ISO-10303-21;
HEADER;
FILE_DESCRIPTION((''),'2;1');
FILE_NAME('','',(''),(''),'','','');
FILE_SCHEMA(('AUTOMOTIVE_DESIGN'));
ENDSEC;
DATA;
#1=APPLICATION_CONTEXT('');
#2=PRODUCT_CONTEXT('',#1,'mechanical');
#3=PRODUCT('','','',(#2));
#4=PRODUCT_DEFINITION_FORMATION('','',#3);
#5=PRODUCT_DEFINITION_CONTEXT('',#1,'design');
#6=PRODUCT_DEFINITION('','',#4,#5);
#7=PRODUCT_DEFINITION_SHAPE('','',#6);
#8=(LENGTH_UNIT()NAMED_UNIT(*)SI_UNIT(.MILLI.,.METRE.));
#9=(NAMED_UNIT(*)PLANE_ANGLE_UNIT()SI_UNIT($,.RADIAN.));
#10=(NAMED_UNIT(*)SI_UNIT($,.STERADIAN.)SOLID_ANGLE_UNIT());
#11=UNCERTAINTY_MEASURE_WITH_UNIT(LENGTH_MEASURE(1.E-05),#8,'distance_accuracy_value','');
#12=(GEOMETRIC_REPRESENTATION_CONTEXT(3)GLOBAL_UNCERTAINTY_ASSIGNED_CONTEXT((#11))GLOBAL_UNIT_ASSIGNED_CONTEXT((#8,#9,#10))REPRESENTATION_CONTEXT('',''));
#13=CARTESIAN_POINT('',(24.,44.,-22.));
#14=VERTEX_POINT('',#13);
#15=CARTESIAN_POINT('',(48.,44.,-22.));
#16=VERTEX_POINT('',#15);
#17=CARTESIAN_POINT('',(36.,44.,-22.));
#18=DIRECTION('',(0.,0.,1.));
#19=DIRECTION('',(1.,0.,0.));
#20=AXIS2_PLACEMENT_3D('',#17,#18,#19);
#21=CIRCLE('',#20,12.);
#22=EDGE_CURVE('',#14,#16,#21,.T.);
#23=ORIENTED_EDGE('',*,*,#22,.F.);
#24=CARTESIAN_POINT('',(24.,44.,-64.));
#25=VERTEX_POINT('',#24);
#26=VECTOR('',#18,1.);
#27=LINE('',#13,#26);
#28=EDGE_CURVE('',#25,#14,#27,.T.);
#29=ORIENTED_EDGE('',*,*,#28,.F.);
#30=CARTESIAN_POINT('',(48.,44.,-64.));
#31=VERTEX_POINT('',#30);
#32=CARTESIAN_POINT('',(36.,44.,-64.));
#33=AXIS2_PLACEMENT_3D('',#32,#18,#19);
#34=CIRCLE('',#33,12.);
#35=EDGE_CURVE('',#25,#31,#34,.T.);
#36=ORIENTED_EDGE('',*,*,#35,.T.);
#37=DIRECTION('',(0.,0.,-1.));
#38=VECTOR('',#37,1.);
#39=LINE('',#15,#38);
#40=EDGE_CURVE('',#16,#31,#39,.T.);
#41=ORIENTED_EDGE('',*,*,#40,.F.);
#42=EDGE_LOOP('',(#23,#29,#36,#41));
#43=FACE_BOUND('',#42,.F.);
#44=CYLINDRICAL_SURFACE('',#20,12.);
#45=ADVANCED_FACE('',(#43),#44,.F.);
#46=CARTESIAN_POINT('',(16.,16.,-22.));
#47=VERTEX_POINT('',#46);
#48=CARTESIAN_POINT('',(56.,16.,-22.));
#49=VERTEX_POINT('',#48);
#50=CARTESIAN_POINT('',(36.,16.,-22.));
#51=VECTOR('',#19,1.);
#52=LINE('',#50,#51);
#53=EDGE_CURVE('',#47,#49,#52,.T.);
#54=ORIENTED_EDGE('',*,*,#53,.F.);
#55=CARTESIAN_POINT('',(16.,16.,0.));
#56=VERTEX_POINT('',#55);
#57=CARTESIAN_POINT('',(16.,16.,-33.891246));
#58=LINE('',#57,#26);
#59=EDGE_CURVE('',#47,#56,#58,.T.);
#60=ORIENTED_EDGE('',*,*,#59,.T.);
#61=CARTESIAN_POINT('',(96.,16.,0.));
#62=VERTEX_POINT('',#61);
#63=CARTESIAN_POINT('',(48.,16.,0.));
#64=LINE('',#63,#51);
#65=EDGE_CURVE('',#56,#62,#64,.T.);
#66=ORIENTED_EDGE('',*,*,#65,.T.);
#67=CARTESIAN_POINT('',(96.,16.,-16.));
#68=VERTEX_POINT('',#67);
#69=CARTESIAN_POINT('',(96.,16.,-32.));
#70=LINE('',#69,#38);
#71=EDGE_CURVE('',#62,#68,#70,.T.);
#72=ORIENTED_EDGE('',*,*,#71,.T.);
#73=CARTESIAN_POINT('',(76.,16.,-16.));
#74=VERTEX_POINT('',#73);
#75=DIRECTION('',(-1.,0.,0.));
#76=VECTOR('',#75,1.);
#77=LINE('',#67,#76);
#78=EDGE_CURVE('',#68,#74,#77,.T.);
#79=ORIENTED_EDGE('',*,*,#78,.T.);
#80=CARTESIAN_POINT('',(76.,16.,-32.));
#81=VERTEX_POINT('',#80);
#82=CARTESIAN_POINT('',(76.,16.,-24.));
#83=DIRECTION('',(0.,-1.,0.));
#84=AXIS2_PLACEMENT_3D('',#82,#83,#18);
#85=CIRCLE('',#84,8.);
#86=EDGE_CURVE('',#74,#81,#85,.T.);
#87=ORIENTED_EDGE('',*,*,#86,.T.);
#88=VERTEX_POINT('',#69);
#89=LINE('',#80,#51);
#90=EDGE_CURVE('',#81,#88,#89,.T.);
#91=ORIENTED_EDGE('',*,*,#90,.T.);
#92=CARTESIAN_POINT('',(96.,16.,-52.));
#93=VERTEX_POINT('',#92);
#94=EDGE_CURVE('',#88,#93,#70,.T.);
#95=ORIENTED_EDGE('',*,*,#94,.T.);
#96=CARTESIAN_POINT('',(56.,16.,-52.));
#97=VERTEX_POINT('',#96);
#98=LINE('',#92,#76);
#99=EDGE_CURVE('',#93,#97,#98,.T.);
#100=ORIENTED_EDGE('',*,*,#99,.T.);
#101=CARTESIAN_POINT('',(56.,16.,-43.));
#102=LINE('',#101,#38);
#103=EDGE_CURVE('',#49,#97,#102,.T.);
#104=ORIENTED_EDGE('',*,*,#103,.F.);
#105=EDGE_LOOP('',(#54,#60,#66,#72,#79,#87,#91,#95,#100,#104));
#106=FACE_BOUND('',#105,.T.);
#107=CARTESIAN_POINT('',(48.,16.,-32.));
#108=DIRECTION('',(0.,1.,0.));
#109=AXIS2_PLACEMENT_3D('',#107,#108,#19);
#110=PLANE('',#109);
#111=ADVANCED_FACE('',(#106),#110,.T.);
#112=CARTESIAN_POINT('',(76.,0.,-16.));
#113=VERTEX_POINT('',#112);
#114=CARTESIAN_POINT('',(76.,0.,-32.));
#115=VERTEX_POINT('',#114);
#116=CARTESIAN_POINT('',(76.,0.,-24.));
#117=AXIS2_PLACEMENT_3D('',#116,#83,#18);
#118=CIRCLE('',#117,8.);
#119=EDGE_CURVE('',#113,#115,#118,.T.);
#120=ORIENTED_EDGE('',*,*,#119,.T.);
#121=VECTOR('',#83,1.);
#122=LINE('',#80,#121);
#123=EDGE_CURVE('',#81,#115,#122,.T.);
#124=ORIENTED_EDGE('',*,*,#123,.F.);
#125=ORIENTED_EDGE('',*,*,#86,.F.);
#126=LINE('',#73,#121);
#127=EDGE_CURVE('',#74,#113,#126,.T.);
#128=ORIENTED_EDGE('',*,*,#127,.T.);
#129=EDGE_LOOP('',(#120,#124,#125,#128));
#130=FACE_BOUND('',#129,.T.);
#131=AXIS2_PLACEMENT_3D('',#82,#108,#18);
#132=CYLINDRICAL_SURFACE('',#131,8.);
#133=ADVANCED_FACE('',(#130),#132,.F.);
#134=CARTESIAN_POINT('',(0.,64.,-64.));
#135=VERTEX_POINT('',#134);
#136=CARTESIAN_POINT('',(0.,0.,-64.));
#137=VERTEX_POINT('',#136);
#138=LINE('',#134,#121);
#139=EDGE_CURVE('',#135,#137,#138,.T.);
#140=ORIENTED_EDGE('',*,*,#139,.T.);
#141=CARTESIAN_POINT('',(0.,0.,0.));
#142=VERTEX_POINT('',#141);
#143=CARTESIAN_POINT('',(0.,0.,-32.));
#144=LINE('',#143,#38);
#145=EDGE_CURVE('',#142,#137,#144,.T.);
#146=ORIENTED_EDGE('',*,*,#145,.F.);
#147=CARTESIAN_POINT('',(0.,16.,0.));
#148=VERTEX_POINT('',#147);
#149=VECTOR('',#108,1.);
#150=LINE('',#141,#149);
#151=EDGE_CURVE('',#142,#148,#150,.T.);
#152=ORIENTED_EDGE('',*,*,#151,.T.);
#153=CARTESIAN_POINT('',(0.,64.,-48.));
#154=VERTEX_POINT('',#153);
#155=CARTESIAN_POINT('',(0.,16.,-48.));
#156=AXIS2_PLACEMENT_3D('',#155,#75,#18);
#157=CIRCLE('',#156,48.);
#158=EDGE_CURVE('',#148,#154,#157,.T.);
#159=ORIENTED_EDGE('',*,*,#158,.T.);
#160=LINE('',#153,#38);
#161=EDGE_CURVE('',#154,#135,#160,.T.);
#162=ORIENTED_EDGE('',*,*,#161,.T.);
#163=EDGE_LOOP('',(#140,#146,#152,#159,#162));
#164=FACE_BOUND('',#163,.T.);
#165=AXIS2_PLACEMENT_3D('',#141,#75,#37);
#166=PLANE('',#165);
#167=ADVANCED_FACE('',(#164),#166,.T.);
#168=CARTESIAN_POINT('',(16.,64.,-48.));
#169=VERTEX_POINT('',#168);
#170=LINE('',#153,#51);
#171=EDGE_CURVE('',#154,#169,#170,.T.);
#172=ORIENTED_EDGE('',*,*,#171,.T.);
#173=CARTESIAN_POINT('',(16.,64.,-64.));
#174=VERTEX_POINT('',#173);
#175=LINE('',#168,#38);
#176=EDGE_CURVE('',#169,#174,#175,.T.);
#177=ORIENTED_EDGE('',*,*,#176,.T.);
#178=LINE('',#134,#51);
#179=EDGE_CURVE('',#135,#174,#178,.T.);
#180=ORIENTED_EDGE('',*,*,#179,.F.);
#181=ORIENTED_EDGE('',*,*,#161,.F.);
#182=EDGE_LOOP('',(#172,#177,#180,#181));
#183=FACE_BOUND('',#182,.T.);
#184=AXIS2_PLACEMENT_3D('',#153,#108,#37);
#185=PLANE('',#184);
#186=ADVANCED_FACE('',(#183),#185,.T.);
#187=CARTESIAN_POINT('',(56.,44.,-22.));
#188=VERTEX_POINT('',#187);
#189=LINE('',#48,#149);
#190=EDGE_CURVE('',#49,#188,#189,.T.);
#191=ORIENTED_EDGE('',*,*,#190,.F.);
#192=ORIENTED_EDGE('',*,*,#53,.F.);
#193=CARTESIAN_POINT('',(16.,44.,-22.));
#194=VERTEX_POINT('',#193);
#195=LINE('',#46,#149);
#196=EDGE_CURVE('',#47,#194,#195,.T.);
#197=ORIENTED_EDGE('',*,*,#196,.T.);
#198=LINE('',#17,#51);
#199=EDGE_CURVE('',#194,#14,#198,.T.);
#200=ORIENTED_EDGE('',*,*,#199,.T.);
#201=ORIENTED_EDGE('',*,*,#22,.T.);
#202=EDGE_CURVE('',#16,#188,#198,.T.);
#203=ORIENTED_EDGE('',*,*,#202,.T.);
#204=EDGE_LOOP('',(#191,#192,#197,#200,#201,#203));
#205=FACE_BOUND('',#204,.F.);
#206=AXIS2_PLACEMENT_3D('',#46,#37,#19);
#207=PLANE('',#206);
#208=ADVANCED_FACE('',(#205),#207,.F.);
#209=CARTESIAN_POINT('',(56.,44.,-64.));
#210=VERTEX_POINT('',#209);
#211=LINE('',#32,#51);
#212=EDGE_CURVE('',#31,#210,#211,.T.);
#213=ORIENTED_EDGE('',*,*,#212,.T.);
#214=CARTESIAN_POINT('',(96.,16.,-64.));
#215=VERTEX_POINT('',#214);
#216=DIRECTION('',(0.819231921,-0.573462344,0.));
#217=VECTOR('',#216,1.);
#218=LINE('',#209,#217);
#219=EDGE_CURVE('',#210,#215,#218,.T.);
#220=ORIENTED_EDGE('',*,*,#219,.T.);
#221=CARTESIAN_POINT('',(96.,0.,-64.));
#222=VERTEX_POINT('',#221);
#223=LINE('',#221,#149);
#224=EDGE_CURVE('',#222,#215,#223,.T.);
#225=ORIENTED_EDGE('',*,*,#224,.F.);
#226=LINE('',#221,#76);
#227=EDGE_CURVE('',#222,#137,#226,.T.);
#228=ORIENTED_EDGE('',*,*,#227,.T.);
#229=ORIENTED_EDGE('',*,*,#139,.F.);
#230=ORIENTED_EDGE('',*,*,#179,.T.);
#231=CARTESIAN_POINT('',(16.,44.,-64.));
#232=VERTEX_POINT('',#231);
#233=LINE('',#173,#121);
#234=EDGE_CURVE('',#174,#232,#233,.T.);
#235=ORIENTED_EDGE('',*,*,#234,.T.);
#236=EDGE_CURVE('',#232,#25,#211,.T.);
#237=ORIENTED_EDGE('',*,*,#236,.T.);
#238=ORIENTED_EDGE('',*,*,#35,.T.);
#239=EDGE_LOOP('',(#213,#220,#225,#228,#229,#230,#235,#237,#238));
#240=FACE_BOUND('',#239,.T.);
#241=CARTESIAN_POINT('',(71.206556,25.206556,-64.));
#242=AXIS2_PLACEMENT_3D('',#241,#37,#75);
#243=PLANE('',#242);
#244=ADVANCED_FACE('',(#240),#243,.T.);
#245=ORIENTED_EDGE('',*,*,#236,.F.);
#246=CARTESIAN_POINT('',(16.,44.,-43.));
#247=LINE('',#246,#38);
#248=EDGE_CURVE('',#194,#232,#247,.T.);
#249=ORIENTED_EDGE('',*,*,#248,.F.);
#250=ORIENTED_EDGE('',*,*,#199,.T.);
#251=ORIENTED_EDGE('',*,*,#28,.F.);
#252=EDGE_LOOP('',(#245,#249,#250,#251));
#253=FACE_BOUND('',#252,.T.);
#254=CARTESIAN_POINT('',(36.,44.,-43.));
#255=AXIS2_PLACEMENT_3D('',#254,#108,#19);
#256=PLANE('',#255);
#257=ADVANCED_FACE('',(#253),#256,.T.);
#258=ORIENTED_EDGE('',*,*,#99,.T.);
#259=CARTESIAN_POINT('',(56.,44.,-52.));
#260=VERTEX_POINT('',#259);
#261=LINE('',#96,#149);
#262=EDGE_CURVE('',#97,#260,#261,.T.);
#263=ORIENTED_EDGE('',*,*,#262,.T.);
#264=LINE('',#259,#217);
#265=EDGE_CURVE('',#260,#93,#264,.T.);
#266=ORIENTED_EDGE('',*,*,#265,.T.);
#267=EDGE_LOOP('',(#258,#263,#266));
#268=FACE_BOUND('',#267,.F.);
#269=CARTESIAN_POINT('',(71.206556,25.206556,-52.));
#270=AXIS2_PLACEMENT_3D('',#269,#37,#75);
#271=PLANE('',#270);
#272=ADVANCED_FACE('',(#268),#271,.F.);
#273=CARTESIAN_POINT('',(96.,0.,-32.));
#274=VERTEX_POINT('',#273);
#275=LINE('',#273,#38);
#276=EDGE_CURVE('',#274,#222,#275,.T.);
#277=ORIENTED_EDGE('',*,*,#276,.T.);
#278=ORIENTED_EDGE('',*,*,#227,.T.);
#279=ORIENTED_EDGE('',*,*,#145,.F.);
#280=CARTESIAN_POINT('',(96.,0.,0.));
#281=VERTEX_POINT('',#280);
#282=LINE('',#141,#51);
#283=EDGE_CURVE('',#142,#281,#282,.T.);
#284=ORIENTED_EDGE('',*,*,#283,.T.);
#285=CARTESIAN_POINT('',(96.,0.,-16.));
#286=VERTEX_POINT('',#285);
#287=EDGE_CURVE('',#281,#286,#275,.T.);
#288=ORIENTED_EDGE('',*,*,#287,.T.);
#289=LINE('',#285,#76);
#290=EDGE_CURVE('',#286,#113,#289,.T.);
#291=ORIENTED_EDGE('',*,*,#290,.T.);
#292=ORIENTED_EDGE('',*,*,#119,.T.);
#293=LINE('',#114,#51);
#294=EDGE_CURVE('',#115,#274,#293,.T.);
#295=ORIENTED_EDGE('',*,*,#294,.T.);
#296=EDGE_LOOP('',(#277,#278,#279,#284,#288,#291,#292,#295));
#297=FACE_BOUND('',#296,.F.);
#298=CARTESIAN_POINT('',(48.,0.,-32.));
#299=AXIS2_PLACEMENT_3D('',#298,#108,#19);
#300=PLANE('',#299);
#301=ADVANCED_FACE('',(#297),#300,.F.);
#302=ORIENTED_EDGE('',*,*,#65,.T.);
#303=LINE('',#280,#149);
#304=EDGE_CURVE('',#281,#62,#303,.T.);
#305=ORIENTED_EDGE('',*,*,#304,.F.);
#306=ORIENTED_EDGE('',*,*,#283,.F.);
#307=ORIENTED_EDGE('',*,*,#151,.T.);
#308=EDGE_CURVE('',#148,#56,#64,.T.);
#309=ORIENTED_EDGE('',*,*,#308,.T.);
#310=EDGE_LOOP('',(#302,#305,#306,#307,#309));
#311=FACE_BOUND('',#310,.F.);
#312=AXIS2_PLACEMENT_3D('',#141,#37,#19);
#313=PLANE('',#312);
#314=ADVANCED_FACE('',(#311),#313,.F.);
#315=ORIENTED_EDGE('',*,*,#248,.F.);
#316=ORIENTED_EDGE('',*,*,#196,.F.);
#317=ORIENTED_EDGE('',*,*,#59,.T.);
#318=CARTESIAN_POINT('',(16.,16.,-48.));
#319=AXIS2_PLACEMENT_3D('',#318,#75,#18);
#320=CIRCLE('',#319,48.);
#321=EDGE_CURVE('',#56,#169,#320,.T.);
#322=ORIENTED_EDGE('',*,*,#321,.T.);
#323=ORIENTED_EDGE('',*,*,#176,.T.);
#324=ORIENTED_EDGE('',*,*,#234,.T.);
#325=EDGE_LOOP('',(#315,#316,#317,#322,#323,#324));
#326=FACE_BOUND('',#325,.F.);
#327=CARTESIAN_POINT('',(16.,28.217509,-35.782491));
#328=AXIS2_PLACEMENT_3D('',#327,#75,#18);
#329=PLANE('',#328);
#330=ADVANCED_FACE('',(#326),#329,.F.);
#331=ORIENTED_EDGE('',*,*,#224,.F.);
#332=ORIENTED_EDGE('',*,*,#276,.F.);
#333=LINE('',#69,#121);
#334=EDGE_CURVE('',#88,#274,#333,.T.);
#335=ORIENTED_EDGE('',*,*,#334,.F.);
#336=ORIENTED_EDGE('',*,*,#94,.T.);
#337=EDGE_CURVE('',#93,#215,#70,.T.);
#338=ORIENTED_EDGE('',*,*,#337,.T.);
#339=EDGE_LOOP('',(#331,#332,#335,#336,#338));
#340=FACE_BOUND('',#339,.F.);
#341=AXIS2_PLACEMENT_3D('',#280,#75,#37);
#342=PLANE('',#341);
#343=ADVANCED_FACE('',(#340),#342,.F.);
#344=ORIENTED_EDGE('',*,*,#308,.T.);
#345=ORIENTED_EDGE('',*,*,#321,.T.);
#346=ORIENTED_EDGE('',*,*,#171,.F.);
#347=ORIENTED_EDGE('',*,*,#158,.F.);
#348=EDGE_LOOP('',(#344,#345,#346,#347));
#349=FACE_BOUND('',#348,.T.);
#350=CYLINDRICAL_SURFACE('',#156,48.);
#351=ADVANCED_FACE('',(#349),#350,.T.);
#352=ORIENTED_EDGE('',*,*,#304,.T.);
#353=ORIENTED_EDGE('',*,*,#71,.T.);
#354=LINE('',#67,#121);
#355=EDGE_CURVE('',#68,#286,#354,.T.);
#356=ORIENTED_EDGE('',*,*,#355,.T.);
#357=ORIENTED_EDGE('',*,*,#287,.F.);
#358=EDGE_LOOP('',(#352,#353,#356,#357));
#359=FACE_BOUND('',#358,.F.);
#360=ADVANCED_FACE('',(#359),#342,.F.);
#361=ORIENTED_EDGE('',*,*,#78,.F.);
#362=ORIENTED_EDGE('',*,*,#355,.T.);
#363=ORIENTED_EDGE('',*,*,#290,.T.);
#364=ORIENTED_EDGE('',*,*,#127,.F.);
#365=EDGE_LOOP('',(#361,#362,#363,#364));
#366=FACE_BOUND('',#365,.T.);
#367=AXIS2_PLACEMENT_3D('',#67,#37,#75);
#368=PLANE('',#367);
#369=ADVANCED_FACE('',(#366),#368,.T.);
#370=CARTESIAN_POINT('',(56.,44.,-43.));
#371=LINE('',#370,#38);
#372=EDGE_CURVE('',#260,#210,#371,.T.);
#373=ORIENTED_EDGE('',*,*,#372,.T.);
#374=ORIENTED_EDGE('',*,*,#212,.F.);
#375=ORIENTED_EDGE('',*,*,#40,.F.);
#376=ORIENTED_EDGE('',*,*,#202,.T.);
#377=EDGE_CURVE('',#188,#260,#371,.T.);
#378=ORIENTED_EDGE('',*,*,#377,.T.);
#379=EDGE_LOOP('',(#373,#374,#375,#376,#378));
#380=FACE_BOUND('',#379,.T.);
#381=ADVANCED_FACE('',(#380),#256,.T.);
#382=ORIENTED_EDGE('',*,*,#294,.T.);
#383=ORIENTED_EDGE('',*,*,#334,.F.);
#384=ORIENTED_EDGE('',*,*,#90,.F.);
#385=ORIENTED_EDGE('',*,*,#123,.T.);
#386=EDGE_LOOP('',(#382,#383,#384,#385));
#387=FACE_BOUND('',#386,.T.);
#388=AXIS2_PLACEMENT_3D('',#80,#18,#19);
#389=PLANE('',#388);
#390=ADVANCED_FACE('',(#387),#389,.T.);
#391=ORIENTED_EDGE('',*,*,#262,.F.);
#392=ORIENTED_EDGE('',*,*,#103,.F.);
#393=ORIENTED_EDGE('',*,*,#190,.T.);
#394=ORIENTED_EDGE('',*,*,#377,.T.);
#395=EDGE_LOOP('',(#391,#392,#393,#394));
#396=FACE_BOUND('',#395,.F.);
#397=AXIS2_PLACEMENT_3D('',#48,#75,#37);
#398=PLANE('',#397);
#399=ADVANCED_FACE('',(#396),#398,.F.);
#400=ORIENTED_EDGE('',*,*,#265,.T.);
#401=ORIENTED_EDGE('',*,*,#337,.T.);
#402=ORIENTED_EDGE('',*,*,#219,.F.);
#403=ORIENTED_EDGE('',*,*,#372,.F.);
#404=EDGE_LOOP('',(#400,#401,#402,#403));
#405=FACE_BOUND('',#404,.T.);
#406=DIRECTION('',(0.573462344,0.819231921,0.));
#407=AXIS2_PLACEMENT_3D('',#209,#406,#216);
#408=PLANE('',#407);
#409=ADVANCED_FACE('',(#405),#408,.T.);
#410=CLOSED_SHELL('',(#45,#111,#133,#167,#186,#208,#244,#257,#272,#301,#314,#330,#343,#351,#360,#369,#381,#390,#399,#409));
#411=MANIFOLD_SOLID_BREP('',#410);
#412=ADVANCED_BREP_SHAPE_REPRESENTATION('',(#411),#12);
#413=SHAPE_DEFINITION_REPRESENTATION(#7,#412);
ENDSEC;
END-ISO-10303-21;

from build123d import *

# Parameters (mm, degrees)
SKETCH1_W           = 96
SKETCH1_H           = 64
BOSS_EXTRUDE1_DEPTH = 16
CUT_EXTRUDE1_DEPTH  = 16
BOSS_EXTRUDE2_DEPTH = 16
SKETCH4_W           = 40
SKETCH4_H           = 42
BOSS_EXTRUDE3_DEPTH = 28
CUT_EXTRUDE2_REACH  = 44
SKETCH5_R           = 12
BOSS_EXTRUDE4_DEPTH = 12


with BuildPart() as part:
    # Sketch1 → Boss-Extrude1 (new body)
    with BuildSketch(Plane(origin=(0, 0, 0), x_dir=(1, 0, 0), z_dir=(0, 1, 0))):
        with Locations((48, 32)):
            Rectangle(SKETCH1_W, SKETCH1_H)
    extrude(amount=BOSS_EXTRUDE1_DEPTH)

    # Sketch2 → Cut-Extrude1 (cut)
    with BuildSketch(Plane(origin=(0, 16, 0), x_dir=(1, 0, 0), z_dir=(0, 1, 0))):
        with BuildLine():
            Line((96, 16), (76, 16))
            ThreePointArc((76, 16), (68, 24), (76, 32))
            Line((76, 32), (96, 32))
            ThreePointArc((96, 32), (104, 24), (96, 16))
        make_face()
    extrude(amount=-CUT_EXTRUDE1_DEPTH, mode=Mode.SUBTRACT)

    # Sketch3 → Boss-Extrude2 (add)
    with BuildSketch(Plane.ZY):
        with BuildLine():
            Line((-64, 0), (0, 0))
            Line((0, 0), (0, 16))
            ThreePointArc((0, 16), (-14.058874503, 49.941125497), (-48, 64))
            Line((-48, 64), (-64, 64))
            Line((-64, 64), (-64, 0))
        make_face()
    extrude(amount=-BOSS_EXTRUDE2_DEPTH)

    # Sketch4 → Boss-Extrude3 (add)
    with BuildSketch(Plane(origin=(0, 16, 0), x_dir=(1, 0, 0), z_dir=(0, 1, 0))):
        with Locations((36, 43)):
            Rectangle(SKETCH4_W, SKETCH4_H)
    extrude(amount=BOSS_EXTRUDE3_DEPTH)

    # Sketch5 → Cut-Extrude2 (cut, up to next)
    with BuildSketch(Plane.XY.offset(-22), mode=Mode.PRIVATE) as cut_extrude2_sk1:
        with Locations((36, 44)):
            Circle(SKETCH5_R)
    cut_extrude2_tool1 = extrude(cut_extrude2_sk1.sketch, amount=-CUT_EXTRUDE2_REACH, mode=Mode.PRIVATE) & part.part
    add(cut_extrude2_tool1.solids().sort_by_distance((36, 44, -22))[0], mode=Mode.SUBTRACT)

    # Sketch7 → Boss-Extrude4 (add)
    with BuildSketch(Plane(origin=(0, 0, -64), x_dir=(-1, 0, 0), z_dir=(0, 0, -1))):
        Polygon((-56, 44), (-96, 16), (-56, 16), align=None)
    extrude(amount=-BOSS_EXTRUDE4_DEPTH)


solid = part.part
